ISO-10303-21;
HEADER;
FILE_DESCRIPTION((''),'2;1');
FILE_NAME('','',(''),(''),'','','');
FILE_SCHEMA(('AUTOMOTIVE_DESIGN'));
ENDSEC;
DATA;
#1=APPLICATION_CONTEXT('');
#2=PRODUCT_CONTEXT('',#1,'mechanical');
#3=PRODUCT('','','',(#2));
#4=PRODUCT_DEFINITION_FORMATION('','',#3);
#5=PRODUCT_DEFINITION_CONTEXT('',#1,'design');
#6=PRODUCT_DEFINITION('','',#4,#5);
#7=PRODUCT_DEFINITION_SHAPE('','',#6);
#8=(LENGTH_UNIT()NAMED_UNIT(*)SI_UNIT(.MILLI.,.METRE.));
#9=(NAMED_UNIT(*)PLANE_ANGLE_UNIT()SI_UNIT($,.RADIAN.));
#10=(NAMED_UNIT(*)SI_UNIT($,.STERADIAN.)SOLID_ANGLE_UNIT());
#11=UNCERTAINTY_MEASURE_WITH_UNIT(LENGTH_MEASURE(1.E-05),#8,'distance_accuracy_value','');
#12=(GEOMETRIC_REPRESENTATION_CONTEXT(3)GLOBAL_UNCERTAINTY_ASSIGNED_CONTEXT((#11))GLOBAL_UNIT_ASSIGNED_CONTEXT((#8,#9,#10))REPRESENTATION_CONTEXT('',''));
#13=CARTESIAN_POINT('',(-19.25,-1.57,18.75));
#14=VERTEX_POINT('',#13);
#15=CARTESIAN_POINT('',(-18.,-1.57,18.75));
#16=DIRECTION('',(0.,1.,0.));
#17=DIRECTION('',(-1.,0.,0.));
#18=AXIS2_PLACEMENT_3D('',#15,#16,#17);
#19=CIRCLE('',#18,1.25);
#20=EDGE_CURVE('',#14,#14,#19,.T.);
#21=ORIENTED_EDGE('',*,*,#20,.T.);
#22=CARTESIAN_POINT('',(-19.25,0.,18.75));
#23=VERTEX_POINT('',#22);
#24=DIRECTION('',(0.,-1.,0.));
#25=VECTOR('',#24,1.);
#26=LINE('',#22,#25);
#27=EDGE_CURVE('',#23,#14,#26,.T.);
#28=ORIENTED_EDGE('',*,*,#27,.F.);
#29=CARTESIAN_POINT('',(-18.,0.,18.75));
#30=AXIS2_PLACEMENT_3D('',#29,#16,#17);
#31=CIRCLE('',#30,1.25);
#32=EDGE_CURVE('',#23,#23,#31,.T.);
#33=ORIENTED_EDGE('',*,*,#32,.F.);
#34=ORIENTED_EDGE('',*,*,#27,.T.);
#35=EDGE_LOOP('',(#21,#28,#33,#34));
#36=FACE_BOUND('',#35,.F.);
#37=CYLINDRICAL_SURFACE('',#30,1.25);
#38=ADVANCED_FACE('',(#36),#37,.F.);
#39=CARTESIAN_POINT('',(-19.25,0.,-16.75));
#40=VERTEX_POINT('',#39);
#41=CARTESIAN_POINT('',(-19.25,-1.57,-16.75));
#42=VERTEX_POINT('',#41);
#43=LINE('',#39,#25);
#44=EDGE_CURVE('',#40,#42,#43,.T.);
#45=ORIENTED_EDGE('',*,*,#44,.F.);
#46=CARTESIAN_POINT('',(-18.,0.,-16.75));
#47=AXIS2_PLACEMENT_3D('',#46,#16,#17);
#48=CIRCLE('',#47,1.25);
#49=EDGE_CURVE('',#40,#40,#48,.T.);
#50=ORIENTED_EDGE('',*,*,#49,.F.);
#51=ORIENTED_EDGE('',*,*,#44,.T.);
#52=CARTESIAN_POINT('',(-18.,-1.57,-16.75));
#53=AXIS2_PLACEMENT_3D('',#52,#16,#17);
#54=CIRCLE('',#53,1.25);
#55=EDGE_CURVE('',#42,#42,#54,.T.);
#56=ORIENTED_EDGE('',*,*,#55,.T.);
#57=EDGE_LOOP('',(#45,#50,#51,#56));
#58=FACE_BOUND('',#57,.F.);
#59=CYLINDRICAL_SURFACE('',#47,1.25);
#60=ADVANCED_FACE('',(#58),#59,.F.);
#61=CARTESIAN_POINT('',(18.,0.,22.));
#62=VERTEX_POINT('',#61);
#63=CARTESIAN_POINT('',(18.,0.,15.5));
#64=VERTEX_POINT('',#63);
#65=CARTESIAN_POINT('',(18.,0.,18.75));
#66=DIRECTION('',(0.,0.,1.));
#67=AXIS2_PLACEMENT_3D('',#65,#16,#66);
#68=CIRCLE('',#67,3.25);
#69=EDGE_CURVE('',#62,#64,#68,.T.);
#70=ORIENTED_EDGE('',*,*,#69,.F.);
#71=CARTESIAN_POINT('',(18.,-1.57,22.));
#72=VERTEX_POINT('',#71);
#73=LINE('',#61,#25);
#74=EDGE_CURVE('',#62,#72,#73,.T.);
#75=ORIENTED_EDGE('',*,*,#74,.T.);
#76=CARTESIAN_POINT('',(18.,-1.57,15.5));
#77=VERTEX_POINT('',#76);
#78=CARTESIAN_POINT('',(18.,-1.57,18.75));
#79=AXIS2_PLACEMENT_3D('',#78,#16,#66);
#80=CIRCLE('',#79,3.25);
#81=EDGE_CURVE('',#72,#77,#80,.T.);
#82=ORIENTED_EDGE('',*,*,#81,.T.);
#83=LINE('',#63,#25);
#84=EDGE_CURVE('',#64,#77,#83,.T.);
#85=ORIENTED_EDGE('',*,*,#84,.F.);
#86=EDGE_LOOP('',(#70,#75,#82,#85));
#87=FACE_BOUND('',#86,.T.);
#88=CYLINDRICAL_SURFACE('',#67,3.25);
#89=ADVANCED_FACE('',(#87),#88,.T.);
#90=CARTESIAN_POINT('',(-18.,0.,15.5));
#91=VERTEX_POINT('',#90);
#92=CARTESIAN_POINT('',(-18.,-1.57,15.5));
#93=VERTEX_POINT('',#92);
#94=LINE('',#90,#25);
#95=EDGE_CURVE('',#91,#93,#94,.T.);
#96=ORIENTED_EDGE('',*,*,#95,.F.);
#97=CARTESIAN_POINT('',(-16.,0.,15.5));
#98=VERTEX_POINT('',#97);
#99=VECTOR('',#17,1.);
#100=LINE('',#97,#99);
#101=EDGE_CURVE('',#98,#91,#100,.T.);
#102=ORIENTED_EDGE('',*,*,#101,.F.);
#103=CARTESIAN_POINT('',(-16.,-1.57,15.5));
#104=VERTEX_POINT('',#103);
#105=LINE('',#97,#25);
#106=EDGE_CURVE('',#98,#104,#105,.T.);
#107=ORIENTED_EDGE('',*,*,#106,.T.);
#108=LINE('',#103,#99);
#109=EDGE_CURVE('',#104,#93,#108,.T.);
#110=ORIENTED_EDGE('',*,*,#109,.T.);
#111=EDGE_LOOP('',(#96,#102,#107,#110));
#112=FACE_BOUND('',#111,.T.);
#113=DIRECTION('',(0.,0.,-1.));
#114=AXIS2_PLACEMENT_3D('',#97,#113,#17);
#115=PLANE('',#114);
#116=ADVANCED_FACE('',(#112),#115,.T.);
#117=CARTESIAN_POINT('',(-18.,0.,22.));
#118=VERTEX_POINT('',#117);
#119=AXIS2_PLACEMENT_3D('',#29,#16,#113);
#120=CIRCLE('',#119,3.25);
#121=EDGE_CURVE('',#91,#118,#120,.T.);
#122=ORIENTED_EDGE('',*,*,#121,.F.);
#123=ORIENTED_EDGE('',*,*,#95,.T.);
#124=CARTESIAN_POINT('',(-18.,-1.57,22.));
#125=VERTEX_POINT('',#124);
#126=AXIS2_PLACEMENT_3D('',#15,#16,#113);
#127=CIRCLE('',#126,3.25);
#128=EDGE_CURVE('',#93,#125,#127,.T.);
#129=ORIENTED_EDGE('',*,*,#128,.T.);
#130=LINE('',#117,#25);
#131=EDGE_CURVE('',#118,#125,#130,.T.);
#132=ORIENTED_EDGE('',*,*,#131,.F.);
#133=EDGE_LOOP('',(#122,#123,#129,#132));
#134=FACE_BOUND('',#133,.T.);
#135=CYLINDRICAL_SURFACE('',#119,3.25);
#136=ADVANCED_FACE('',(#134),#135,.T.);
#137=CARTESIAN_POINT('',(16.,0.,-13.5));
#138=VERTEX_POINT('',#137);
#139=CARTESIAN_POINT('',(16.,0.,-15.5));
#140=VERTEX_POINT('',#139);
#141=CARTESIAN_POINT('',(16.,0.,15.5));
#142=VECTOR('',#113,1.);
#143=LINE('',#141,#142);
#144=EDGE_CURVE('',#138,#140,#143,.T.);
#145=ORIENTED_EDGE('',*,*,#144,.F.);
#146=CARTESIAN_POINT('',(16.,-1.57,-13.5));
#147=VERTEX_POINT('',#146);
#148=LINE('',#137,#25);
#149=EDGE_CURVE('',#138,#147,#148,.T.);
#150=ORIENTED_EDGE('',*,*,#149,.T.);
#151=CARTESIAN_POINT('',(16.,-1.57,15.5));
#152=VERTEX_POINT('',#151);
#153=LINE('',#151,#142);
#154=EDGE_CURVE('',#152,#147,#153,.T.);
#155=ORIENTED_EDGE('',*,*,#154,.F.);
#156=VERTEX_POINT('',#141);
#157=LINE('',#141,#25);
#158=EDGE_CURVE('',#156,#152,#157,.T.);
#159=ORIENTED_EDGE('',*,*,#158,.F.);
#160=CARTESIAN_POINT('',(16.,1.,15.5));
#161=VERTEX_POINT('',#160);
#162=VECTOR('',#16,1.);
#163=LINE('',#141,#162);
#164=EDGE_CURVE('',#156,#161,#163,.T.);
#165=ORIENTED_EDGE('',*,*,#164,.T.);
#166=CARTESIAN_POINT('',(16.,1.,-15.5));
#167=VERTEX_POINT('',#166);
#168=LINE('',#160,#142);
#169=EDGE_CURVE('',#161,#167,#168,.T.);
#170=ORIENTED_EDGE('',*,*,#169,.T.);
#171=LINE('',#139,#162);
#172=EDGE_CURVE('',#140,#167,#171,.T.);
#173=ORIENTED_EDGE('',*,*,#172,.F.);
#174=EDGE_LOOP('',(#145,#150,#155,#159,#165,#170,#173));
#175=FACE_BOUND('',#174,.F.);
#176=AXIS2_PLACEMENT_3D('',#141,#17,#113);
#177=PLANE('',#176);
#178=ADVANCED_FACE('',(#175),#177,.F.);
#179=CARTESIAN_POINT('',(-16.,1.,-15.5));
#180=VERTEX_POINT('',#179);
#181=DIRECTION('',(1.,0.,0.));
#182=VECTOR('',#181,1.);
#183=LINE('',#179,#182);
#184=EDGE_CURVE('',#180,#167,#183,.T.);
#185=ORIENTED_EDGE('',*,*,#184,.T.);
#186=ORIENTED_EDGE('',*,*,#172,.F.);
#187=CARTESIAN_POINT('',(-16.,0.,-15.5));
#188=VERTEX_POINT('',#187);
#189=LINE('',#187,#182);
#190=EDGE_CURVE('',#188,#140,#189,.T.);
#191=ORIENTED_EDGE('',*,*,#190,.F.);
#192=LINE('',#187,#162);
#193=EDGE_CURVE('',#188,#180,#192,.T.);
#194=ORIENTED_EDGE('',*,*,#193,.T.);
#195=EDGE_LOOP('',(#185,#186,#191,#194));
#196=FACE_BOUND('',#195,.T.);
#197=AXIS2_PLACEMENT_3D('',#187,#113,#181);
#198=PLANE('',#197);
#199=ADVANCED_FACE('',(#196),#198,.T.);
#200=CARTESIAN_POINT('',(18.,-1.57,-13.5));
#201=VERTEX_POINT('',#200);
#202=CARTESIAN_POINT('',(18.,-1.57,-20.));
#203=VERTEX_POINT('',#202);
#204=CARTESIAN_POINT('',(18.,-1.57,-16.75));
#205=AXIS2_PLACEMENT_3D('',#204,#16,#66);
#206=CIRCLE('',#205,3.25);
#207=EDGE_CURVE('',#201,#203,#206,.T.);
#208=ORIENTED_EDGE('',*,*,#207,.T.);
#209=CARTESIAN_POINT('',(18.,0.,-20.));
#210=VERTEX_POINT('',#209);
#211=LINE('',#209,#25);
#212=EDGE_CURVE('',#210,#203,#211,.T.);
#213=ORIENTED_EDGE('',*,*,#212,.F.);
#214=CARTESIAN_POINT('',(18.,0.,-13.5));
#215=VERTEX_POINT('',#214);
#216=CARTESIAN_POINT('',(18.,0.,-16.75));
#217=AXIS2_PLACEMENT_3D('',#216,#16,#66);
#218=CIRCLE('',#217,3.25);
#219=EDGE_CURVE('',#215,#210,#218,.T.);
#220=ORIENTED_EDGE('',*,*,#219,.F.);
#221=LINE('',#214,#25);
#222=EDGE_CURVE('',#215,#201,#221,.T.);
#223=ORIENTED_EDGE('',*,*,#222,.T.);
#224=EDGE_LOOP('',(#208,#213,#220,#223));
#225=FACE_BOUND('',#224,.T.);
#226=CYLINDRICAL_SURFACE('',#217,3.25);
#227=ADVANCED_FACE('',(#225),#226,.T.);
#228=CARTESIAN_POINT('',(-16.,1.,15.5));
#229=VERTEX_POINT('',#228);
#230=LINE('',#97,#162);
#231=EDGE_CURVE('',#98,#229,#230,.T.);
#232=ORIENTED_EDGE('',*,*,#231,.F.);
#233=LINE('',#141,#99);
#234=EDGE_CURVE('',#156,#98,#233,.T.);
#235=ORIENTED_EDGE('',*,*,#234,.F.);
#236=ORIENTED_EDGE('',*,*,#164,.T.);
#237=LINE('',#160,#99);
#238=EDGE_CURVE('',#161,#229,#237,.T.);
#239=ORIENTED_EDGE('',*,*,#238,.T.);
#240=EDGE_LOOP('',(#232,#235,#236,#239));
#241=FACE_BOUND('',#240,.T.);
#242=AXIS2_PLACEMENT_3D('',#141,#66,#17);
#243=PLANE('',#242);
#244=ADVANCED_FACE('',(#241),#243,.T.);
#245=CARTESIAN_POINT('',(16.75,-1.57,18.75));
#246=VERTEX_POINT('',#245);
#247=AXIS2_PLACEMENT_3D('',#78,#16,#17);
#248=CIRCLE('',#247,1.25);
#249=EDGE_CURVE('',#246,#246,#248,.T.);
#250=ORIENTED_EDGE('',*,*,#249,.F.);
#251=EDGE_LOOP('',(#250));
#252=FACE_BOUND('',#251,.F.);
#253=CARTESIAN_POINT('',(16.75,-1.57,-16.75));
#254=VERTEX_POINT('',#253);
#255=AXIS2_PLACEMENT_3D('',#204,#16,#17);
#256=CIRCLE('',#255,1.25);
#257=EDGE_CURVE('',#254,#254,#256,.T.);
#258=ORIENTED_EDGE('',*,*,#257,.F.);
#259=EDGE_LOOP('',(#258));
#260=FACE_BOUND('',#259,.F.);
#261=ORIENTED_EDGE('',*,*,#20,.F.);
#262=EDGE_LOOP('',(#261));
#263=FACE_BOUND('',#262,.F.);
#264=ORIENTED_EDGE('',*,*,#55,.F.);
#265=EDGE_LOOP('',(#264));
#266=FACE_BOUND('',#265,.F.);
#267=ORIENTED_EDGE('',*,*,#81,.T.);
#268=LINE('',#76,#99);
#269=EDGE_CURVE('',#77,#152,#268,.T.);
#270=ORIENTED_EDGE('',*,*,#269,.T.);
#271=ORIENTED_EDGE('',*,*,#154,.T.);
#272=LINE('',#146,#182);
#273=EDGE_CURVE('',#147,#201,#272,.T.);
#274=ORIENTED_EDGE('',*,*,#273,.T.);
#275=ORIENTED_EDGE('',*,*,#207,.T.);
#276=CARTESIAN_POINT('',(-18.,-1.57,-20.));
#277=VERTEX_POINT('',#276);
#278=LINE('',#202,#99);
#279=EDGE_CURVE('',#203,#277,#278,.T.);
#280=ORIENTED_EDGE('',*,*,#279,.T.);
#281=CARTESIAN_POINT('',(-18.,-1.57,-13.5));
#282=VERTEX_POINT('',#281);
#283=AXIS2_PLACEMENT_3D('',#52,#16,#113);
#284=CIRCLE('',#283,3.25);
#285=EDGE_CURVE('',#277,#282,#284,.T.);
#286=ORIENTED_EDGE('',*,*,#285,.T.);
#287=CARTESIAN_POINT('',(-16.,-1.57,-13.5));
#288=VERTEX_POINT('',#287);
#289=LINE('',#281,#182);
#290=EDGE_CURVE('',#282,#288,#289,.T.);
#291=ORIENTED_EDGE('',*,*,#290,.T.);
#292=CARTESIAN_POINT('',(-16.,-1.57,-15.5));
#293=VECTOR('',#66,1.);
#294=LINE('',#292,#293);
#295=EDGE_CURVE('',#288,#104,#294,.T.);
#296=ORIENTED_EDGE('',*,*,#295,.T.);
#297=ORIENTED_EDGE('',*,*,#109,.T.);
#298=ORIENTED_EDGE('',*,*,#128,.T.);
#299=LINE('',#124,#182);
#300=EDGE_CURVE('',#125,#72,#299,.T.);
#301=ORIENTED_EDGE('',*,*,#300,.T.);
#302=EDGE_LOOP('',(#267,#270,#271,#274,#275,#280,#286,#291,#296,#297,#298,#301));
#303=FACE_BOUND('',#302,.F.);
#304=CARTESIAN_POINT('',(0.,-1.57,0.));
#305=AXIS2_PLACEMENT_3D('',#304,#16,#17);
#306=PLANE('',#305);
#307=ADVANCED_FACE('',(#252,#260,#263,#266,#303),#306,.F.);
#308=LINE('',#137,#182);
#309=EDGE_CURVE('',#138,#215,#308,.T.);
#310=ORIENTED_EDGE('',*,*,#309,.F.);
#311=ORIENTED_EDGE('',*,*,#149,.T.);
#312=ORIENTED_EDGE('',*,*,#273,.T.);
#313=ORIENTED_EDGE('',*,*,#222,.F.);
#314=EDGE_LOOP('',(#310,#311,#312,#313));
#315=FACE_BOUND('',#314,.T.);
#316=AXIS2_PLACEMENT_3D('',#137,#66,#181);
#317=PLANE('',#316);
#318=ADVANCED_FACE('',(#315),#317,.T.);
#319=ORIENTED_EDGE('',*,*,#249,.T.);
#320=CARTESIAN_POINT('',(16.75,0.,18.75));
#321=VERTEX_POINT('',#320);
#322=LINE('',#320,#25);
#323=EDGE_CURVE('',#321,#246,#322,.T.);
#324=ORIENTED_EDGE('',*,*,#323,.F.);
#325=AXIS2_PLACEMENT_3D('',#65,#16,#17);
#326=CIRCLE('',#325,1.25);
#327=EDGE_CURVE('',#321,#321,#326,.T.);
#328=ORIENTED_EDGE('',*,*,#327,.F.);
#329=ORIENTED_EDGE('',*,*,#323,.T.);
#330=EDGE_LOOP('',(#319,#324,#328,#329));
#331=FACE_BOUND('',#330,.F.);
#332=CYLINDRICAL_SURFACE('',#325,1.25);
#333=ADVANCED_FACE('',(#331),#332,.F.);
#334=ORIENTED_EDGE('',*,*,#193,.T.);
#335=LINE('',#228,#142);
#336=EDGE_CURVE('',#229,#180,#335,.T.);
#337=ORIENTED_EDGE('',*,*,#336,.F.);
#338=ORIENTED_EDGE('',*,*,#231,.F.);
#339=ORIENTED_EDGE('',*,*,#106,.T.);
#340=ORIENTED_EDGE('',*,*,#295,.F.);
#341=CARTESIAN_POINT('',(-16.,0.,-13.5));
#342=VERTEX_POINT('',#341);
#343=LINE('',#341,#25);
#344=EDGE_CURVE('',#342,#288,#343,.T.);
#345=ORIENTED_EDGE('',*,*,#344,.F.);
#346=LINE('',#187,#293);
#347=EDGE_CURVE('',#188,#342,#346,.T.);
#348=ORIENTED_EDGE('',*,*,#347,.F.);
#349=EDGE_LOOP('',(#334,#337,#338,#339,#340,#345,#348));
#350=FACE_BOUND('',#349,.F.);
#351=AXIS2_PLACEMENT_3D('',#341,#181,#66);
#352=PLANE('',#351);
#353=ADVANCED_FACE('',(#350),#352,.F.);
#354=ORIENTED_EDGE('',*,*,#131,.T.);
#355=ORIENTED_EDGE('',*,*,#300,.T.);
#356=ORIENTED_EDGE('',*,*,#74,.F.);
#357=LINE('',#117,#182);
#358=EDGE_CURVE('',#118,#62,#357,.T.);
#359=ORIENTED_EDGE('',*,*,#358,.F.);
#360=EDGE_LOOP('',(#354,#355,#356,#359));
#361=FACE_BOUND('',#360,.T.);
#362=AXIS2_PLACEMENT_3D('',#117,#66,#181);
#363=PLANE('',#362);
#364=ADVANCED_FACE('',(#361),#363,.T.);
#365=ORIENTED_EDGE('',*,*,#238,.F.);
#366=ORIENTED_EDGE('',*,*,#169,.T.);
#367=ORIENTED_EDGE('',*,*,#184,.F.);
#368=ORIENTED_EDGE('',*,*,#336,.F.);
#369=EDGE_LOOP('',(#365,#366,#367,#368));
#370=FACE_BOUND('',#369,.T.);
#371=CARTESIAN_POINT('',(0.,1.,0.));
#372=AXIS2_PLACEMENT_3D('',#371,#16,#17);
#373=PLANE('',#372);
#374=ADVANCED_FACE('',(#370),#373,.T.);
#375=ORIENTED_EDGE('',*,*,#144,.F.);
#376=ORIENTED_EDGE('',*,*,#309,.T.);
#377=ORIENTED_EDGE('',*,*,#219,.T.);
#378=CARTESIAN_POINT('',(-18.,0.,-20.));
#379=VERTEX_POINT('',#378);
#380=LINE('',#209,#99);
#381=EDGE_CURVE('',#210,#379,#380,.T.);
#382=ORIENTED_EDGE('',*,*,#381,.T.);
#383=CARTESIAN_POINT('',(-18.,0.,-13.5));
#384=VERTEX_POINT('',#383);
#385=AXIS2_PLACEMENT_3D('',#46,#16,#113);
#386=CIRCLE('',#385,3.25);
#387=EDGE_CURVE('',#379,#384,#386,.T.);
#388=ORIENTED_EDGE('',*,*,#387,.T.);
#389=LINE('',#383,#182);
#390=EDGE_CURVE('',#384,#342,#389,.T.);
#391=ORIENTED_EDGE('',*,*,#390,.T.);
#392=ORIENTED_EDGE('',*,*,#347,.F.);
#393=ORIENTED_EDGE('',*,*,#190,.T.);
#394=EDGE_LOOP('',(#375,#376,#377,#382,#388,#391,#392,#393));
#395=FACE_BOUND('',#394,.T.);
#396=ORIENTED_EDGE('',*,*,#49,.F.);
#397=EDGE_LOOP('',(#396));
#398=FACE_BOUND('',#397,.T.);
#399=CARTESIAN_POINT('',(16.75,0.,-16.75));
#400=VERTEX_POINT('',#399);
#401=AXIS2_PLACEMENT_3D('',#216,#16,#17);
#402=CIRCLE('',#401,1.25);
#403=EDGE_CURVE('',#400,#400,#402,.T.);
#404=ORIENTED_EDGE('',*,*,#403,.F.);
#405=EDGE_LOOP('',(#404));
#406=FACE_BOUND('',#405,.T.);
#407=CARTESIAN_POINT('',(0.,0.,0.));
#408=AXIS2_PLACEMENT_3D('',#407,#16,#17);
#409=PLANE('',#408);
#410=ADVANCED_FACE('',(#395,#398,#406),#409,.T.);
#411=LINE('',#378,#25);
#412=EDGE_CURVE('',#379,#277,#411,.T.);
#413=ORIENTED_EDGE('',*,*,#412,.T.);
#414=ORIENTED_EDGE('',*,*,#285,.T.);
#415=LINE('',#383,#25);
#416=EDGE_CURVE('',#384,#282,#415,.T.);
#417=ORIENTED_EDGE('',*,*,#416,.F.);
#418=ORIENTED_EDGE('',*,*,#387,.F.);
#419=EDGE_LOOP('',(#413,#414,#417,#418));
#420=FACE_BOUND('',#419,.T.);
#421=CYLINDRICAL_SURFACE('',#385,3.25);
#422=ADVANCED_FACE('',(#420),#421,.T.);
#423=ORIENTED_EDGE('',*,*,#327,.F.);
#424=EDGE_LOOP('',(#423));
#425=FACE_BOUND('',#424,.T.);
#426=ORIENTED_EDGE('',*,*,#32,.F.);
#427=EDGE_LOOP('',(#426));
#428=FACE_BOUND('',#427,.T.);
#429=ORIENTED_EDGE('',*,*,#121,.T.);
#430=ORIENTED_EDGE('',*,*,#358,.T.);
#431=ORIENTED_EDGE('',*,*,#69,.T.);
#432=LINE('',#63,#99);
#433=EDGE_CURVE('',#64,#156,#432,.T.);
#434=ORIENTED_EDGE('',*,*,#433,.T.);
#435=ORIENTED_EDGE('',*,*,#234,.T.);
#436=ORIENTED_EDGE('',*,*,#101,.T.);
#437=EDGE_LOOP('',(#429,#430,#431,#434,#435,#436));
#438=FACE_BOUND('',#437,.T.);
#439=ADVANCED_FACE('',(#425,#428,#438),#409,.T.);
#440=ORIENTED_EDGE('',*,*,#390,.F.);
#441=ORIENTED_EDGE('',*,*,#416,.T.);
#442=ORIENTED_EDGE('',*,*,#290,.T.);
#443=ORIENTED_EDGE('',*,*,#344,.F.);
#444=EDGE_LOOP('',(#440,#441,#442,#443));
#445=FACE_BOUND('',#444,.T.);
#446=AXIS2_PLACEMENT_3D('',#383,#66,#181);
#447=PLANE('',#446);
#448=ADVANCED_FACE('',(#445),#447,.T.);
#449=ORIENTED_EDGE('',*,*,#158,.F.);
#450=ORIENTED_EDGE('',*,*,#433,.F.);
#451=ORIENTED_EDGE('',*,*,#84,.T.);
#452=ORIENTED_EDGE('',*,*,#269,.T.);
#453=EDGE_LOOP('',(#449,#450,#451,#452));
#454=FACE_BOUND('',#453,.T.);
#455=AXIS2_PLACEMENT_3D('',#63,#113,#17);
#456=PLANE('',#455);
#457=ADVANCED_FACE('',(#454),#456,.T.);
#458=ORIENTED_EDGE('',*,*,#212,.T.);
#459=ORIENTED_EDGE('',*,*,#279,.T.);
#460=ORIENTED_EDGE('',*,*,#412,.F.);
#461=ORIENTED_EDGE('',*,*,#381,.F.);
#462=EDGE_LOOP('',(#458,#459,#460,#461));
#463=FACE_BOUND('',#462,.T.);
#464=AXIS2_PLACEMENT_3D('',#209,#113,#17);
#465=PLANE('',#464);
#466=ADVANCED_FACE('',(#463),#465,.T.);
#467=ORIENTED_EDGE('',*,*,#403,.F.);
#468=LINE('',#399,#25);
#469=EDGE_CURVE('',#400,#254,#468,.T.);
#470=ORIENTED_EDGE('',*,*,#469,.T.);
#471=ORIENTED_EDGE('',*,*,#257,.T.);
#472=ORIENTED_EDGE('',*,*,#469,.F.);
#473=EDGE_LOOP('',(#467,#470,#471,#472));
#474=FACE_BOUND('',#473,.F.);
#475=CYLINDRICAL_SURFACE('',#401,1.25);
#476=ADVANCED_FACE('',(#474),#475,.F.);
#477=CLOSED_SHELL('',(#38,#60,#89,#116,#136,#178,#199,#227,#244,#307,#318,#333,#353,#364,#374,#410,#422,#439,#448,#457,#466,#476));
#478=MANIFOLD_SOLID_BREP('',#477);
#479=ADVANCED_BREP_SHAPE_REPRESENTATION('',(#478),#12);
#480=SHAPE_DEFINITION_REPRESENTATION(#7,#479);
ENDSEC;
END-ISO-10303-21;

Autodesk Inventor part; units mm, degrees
ref_plane "YZ Plane" through (0, 0, 0) normal (1, 0, 0) x (0, 1, 0)
ref_plane "XZ Plane" through (0, 0, 0) normal (0, 1, 0) x (-1, 0, 0)
ref_plane "XY Plane" through (0, 0, 0) normal (0, 0, 1) x (1, 0, 0)
sketch "Sketch1" plane through (0, 0, 0) normal (0, 1, 0) x (-1, 0, 0)
  line L0 (18, 22) -> (-18, 22)
  line L1 (-18, 15.5) -> (-16, 15.5)
  line L2 (-16, 15.5) -> (-16, -15.5)
  line L3 (-16, -13.5) -> (-18, -13.5)
  line L4 (-18, -20) -> (18, -20)
  line L5 (18, -13.5) -> (16, -13.5)
  line L6 (16, -15.5) -> (16, 15.5)
  line L7 (16, 15.5) -> (18, 15.5)
  arc A0 (-18, 22) -> (-18, 15.5) centre (-18, 18.75) ccw
  arc A1 (18, 15.5) -> (18, 22) centre (18, 18.75) ccw
  arc A2 (18, -20) -> (18, -13.5) centre (18, -16.75) ccw
  arc A3 (-18, -13.5) -> (-18, -20) centre (-18, -16.75) ccw
  line L8 (16, -15.5) -> (-16, -15.5)
  line L9 (-16, 15.5) -> (16, 15.5)
  circle A4 centre (18, -16.75) radius 1.25
  circle A5 centre (-18, -16.75) radius 1.25
  circle A6 centre (-18, 18.75) radius 1.25
  circle A7 centre (18, 18.75) radius 1.25
  point P0 (0, 0)
  point P1 (-3.7522, -13.5)
  point P2 (0, 22)
  point P3 (0, -20)
  point P4 (16, 0)
  point P5 (-16, 0)
  point P6 (0, -15.5)
  point P7 (0, 15.5)
  point P8 (0, 22)
  point P9 (-16, 0)
  dimension "d0" = 32
  dimension "d1" = 42
  dimension "d2" = 31
  dimension "d4" = 2.5
  dimension "d6" = 2
  dimension "d7" = 2
extrude "Extrusion1" add sketch "Sketch1" against normal blind 1.57
extrude "Extrusion2" add sketch "Sketch1" along normal blind 1 contours L6 L8 L2 L9
ref_plane "Plano de trabajo1" through (21.25, 0, -16.75) normal (1, 0, 0) x (0, 0, -1)
ref_plane "Plano de trabajo2" through (-21.25, 0, -16.75) normal (-1, 0, 0) x (0, 0, 1)
properties part number "Pantalla" material "Steel, Mild, Welded"
